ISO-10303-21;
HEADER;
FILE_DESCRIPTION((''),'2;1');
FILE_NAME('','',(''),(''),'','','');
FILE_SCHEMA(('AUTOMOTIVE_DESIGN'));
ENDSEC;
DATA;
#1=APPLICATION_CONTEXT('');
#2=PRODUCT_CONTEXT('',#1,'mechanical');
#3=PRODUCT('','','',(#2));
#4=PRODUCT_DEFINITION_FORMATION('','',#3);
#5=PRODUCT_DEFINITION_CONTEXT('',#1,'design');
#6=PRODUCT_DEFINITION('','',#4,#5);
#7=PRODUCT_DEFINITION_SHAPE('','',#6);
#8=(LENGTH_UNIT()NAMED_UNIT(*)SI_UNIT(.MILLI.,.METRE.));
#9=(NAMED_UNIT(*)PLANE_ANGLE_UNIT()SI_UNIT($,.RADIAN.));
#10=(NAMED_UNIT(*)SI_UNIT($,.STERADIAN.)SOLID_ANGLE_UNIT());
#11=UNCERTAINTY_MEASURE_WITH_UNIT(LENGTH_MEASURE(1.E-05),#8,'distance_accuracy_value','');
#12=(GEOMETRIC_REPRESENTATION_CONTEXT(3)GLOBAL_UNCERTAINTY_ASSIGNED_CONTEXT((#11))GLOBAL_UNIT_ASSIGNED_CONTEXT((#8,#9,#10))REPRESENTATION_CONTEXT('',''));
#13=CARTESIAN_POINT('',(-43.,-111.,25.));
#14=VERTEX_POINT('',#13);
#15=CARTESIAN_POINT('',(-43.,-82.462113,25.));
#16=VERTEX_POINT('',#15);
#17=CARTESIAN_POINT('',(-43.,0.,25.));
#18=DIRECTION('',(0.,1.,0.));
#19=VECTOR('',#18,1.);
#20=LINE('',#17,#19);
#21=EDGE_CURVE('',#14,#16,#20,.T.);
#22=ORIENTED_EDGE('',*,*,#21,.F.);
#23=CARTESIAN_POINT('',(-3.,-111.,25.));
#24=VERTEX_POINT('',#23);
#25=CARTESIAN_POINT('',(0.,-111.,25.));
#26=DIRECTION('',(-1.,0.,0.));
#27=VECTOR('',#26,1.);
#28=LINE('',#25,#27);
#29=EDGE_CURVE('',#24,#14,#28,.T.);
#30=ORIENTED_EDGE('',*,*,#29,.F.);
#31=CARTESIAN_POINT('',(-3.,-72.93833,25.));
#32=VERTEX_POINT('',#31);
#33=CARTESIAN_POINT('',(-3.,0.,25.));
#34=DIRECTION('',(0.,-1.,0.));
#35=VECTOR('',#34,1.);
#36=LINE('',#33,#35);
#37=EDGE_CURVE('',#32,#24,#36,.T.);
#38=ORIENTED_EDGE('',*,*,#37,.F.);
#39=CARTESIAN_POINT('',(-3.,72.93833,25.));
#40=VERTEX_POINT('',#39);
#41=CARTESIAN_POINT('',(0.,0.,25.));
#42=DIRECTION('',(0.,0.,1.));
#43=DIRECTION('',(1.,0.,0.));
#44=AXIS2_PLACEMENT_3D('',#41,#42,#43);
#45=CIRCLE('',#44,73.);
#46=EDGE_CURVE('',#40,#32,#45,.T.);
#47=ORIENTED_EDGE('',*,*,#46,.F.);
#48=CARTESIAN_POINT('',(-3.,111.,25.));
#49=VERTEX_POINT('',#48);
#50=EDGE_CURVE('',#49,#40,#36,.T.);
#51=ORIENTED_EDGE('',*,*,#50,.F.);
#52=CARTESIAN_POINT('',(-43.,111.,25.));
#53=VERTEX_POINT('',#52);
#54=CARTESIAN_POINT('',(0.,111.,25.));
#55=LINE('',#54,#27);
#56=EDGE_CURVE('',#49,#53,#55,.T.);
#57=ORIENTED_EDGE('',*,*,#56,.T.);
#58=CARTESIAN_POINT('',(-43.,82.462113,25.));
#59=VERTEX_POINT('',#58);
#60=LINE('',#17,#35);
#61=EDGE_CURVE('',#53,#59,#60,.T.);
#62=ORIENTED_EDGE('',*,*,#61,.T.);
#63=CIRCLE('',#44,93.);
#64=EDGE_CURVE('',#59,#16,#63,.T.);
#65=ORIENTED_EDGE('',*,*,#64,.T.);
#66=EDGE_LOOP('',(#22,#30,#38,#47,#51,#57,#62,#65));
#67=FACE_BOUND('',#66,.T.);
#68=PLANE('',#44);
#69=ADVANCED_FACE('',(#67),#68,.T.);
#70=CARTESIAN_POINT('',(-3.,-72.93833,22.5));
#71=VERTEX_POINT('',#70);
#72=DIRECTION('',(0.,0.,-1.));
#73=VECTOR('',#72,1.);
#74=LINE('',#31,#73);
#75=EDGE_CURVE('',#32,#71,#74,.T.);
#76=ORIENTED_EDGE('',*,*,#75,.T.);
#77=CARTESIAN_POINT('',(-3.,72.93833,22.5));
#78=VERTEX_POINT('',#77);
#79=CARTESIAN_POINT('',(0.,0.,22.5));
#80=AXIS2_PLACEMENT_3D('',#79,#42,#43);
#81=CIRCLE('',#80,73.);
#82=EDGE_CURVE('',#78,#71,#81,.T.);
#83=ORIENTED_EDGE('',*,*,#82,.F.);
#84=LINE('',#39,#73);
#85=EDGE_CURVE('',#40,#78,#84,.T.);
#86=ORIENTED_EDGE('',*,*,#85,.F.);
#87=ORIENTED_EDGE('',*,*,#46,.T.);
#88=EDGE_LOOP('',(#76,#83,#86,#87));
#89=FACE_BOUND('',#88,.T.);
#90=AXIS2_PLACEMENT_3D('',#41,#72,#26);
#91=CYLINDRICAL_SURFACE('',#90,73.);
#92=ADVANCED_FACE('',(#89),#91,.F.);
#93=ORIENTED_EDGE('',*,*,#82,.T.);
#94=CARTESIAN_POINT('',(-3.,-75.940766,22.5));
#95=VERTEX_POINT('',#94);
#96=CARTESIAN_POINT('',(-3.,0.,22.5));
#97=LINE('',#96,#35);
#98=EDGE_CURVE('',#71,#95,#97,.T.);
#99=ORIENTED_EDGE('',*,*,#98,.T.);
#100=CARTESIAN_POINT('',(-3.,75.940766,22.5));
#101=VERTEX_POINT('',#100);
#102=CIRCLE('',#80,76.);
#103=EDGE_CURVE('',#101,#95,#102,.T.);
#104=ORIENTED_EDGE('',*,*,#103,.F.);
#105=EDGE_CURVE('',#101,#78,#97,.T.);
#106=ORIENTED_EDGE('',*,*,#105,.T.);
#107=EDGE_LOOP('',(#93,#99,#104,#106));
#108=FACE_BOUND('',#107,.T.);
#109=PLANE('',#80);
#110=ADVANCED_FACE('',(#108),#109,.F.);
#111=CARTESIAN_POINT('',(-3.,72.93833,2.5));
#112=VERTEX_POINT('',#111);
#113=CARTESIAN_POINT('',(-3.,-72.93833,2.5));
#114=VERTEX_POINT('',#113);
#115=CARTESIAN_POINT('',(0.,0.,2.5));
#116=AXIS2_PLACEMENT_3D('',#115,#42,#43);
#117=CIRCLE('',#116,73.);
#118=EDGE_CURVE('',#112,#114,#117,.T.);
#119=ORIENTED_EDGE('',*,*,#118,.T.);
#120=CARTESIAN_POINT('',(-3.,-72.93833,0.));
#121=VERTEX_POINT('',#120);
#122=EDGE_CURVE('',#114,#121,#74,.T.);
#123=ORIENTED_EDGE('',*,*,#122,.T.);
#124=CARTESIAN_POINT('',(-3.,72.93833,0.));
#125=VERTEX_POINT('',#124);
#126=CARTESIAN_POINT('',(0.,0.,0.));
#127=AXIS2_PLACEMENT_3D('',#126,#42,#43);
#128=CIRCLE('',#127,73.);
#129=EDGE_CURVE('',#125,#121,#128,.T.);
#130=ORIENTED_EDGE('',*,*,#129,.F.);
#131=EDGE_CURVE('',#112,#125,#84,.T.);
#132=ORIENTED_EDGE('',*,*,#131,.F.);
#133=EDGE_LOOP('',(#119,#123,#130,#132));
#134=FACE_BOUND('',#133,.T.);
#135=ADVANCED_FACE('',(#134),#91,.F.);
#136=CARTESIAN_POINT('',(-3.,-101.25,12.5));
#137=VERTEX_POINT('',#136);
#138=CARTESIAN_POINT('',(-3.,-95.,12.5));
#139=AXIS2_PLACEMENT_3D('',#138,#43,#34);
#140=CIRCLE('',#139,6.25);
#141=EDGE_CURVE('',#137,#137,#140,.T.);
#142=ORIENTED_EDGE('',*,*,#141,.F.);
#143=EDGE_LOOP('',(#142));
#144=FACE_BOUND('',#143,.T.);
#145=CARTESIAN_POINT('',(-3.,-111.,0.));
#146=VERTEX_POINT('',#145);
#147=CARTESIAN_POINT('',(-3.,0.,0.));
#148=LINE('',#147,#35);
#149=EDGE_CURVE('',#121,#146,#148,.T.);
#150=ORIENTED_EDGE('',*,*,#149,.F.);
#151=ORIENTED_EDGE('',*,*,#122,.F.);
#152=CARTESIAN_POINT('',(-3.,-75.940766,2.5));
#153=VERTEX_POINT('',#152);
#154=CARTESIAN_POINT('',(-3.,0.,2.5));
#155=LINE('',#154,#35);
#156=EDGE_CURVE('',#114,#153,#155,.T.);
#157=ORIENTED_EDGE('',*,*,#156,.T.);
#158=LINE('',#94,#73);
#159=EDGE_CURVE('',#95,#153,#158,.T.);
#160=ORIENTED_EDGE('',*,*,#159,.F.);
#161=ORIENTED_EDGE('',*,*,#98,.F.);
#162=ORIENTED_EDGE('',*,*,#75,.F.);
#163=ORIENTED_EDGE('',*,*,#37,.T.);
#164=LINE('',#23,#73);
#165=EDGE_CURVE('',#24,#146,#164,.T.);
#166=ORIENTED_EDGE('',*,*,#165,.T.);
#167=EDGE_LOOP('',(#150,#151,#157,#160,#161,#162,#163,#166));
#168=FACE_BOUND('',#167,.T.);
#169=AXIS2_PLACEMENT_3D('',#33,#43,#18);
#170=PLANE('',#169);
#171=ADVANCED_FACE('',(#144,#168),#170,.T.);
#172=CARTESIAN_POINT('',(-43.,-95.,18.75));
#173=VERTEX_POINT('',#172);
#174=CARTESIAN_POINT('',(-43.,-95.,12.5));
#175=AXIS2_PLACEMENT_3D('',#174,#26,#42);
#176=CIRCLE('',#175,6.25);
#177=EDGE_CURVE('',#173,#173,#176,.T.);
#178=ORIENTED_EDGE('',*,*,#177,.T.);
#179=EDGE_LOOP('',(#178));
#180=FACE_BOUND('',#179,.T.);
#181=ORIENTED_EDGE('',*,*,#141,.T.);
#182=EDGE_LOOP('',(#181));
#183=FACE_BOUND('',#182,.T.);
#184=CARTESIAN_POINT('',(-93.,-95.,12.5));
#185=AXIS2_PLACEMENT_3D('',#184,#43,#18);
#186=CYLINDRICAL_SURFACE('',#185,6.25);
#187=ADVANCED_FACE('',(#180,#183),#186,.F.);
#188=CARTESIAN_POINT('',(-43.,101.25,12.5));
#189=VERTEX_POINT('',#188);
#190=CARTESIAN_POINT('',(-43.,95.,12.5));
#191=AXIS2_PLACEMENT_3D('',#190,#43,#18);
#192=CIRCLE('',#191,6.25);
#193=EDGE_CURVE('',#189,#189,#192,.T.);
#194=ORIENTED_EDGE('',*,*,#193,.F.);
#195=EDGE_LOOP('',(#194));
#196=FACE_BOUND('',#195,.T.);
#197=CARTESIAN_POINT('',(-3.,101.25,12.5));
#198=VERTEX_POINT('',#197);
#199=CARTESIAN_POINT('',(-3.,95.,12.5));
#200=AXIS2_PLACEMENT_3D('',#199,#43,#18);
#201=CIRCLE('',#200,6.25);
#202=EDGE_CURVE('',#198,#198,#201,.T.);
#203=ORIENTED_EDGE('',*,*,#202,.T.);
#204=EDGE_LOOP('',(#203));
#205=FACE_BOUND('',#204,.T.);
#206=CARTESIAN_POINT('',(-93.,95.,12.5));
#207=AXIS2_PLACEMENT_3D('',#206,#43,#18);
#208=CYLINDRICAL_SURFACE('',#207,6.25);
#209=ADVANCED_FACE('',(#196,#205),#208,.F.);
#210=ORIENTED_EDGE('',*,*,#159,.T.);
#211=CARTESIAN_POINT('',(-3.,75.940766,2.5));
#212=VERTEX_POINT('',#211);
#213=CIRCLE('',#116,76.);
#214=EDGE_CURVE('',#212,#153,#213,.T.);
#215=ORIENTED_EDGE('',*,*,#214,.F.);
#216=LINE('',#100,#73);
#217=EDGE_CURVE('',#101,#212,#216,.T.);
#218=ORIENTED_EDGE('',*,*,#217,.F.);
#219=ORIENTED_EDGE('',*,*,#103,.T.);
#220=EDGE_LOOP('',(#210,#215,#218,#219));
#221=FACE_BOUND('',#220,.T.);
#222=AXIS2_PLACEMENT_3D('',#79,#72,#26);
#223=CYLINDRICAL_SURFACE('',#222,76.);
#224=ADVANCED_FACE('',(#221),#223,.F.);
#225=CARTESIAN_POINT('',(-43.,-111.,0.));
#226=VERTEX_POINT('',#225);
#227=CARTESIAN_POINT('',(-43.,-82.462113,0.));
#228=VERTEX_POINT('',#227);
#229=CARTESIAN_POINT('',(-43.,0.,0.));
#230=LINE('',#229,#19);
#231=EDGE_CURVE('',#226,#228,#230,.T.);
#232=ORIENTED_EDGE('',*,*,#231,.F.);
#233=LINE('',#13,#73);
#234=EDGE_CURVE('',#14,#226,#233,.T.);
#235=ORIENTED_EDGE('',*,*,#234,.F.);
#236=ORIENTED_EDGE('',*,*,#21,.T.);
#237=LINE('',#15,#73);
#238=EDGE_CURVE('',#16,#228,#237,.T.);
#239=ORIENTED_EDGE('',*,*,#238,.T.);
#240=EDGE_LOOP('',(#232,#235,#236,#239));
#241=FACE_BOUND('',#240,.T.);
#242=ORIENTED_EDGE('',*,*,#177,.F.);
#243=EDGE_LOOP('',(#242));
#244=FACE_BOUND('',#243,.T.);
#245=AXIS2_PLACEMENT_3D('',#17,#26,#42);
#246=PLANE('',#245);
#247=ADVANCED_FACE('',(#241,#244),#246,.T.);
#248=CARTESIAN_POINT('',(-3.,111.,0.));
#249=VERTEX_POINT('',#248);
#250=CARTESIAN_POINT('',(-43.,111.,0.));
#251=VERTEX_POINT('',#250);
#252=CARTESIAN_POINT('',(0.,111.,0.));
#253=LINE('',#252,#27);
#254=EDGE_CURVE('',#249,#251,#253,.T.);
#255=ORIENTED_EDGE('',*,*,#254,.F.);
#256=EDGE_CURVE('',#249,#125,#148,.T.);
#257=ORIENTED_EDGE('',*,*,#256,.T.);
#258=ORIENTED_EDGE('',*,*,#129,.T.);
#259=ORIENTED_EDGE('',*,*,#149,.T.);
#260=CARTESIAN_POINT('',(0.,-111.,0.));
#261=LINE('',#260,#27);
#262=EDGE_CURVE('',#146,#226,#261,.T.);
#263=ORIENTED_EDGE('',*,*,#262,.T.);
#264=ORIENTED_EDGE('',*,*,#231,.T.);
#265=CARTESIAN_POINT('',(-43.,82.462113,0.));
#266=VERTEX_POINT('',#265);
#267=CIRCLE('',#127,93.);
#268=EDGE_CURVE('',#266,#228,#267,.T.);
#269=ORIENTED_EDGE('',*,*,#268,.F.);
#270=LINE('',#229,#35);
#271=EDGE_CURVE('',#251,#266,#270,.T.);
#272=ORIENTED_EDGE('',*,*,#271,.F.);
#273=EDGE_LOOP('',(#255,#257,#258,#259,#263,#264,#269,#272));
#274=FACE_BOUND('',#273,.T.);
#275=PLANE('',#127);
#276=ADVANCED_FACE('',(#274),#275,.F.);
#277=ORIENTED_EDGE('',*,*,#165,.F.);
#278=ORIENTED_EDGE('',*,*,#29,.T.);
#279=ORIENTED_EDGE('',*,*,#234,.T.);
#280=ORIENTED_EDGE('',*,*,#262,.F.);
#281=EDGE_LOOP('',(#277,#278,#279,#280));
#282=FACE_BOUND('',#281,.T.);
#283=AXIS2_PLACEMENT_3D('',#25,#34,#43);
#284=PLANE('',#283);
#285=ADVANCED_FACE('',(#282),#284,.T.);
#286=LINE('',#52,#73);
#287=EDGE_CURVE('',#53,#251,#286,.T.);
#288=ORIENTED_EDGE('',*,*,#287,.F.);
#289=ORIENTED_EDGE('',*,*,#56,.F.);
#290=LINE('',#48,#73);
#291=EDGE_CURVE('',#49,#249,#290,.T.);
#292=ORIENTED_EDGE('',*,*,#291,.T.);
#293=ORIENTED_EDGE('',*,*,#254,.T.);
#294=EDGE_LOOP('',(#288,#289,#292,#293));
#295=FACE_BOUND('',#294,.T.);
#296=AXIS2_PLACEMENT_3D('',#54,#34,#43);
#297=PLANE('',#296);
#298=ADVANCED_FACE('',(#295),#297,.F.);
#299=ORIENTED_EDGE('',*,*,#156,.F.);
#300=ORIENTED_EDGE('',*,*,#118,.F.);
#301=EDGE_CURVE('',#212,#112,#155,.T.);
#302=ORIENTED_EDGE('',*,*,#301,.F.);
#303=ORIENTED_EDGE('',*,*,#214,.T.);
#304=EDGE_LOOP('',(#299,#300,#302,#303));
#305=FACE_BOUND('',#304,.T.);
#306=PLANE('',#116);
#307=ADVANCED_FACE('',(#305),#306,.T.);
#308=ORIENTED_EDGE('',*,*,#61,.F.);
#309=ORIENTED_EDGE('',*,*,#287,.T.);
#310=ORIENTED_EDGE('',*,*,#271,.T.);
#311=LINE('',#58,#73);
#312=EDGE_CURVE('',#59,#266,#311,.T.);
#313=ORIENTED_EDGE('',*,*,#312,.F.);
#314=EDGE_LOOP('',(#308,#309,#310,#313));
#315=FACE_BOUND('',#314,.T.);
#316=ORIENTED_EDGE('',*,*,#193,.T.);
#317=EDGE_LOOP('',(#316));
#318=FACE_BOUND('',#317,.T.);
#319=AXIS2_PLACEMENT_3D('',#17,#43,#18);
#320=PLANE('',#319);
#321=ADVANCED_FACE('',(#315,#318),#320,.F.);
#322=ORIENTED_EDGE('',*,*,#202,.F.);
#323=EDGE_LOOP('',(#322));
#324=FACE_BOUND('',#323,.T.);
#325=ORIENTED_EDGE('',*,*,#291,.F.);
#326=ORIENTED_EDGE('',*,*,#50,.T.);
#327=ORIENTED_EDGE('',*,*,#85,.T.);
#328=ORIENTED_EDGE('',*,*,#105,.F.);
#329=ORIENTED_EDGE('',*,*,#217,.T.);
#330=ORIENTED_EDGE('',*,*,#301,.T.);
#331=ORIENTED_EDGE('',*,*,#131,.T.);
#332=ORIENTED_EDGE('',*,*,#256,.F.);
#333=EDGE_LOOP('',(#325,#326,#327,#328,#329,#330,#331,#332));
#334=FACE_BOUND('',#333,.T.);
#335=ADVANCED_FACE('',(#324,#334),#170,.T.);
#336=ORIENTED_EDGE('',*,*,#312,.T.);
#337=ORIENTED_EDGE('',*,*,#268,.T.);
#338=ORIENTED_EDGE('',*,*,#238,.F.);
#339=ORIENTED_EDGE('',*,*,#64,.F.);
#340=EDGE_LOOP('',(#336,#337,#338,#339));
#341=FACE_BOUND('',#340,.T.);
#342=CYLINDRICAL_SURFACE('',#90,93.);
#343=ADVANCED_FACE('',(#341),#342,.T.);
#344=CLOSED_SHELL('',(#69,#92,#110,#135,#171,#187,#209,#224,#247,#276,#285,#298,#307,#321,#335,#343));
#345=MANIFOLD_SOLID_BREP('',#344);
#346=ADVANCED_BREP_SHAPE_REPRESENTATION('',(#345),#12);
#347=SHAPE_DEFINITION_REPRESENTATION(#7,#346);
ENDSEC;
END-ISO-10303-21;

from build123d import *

# Parameters (mm, degrees)
BOSS_EXTRUDE1_DEPTH = 25
SKETCH2_R           = 6.25
CUT_EXTRUDE1_DEPTH  = 146.07239572
CUT_EXTRUDE2_START  = 2.5
CUT_EXTRUDE2_DEPTH  = 20


with BuildPart() as part:
    # Sketch1 → Boss-Extrude1 (new body)
    with BuildSketch(Plane.XY):
        with BuildLine():
            Line((-3, 111), (-43, 111))
            Line((-43, 111), (-43, 82.462112512))
            ThreePointArc((-43, 82.462112512), (-93, 0), (-43, -82.462112512))
            Line((-43, -82.462112512), (-43, -111))
            Line((-43, -111), (-3, -111))
            Line((-3, -111), (-3, -72.938330115))
            ThreePointArc((-3, -72.938330115), (-73, 0), (-3, 72.938330115))
            Line((-3, 72.938330115), (-3, 111))
        make_face()
    extrude(amount=BOSS_EXTRUDE1_DEPTH)

    # Sketch2 → Cut-Extrude1 (cut, through all)
    with BuildSketch(Plane(origin=(-3, 0, 0), x_dir=(0, 0, -1), z_dir=(1, 0, 0))):
        with Locations((-12.5, 95)):
            Circle(SKETCH2_R)
        with Locations((-12.5, -95)):
            Circle(SKETCH2_R)
    extrude(amount=-CUT_EXTRUDE1_DEPTH, mode=Mode.SUBTRACT)

    # Sketch1<3> → Cut-Extrude2 (cut)
    with BuildSketch(Plane.XY.offset(CUT_EXTRUDE2_START)):
        with BuildLine():
            Line((-3, 72.938330115), (-3, 75.940766391))
            ThreePointArc((-3, 75.940766391), (-76, 0), (-3, -75.940766391))
            Line((-3, -75.940766391), (-3, -72.938330115))
            ThreePointArc((-3, -72.938330115), (-73, 0), (-3, 72.938330115))
        make_face()
    extrude(amount=CUT_EXTRUDE2_DEPTH, mode=Mode.SUBTRACT)


solid = part.part
